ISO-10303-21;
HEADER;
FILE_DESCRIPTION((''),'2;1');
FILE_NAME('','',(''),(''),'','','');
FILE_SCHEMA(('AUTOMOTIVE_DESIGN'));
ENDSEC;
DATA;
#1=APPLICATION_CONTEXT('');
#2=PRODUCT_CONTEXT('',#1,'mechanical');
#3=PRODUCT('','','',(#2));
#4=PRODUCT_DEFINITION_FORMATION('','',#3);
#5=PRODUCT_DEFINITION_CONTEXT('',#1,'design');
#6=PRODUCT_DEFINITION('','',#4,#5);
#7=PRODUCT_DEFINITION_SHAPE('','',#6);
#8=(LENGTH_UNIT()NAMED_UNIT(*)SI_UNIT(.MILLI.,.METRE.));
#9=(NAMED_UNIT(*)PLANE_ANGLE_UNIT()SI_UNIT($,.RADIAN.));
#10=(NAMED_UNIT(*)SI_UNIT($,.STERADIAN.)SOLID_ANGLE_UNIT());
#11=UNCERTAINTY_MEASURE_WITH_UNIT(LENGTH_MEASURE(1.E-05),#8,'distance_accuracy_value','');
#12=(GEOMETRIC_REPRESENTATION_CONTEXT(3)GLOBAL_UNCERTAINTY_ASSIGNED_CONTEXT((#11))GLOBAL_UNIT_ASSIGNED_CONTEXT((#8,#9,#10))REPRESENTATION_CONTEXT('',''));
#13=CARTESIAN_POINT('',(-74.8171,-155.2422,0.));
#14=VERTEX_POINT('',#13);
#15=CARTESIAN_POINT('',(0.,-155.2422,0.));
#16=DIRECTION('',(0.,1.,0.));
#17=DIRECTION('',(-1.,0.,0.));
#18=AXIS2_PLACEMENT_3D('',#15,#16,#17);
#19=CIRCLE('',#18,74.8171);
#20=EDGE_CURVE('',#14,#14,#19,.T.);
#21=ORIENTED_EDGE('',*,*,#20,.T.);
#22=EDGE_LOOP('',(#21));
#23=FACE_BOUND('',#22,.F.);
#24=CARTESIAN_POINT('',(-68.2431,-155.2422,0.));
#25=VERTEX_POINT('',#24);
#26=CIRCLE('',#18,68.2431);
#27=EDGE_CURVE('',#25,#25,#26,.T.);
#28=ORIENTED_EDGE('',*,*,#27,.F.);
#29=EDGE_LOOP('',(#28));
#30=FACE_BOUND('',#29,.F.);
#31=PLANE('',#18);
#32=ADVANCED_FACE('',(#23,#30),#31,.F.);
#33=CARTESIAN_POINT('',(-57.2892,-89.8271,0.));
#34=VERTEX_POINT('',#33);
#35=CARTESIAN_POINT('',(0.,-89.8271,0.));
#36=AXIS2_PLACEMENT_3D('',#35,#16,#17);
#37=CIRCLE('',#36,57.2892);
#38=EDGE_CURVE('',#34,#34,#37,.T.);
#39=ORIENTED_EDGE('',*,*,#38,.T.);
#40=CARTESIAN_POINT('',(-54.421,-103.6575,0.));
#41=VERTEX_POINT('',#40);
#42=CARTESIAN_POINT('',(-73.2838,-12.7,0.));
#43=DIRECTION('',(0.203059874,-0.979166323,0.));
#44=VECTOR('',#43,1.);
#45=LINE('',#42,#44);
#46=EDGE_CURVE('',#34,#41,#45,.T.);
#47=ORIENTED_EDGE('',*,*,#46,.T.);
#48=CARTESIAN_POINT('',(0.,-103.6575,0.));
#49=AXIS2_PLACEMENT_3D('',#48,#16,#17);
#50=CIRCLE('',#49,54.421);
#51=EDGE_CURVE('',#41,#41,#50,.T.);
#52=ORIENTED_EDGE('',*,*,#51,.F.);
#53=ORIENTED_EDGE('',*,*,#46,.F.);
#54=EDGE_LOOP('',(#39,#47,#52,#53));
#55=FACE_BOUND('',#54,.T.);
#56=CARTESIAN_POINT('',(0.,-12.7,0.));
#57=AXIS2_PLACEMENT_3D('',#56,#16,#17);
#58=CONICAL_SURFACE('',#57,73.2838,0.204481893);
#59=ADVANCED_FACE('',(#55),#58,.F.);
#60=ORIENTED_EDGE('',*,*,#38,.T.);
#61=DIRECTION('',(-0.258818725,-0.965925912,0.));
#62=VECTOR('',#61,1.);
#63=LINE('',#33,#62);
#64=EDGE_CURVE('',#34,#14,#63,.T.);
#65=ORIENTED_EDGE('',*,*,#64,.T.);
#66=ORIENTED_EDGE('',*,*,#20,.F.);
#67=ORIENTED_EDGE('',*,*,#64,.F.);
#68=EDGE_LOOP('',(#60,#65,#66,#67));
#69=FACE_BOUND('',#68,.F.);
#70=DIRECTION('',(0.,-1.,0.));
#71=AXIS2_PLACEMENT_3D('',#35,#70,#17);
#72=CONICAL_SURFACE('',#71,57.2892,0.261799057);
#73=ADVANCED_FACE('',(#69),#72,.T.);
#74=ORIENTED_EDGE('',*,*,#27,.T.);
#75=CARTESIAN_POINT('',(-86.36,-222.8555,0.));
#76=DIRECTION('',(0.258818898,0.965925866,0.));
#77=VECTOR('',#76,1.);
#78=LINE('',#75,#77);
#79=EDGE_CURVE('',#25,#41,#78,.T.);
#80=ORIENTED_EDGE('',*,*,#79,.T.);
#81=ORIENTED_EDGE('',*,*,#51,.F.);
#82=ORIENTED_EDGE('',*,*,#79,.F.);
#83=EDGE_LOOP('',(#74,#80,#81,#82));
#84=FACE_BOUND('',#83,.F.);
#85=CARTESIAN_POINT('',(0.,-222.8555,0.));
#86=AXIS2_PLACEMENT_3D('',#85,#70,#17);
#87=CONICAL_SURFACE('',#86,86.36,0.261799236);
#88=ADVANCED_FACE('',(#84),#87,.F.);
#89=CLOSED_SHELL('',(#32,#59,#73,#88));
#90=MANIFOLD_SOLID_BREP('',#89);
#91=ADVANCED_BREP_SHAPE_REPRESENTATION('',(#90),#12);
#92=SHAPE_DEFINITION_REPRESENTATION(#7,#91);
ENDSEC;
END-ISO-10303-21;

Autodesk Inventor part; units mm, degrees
ref_plane "YZ Plane" through (0, 0, 0) normal (1, 0, 0) x (0, 1, 0)
ref_plane "XZ Plane" through (0, 0, 0) normal (0, 1, 0) x (-1, 0, 0)
ref_plane "XY Plane" through (0, 0, 0) normal (0, 0, 1) x (1, 0, 0)
sketch "Sketch1" plane through (0, 0, 0) normal (0, 0, 1) x (1, 0, 0)
  line L0 (0, 25.4) -> (-28.702, 25.4) construction
  line L1 (0, 25.4) -> (-95.25, 25.4) construction
  line L2 (-95.25, 25.4) -> (-89.1588, 25.4) construction
  line L3 (-89.1588, 25.4) -> (-85.693, 23.7839) construction
  line L4 (-89.1588, 25.4) -> (-89.1588, 21.1626) construction
  line L5 (-89.1588, 0) -> (-95.25, 0)
  line L6 (-28.702, 59.6457) -> (-28.702, -91.9304) construction
  arc A0 (-28.9184, -8.4804) -> (-32.3684, -1.0818) centre (-35.052, -6.8369) ccw
  line L7 (-89.1588, 25.4) -> (-89.1588, 0)
  line L8 (-89.1588, 25.4) -> (-32.3684, -1.0818)
  line L9 (-28.9184, -8.4804) -> (-28.9392, -8.5583)
  line L10 (0, -319.0244) -> (0, 122.7573) projected
  line L11 (-73.152, 17.9359) -> (-28.702, 17.9359) construction
  line L12 (-89.1588, 0) -> (-92.3338, 0)
  line L13 (11.4547, -6.8369) -> (-136.2084, -6.8369) construction
  line L14 (-57.2892, -89.8271) -> (-74.8171, -155.2422)
  line L15 (-92.3338, -12.7) -> (-73.2838, -12.7)
  line L16 (-73.2838, -12.7) -> (-54.421, -103.6575)
  line L17 (-74.8171, -155.2422) -> (-68.2431, -155.2422)
  line L18 (-92.3338, -25.4) -> (-79.6338, -25.4)
  line L19 (-79.6338, -25.4) -> (-79.6338, -57.15)
  line L20 (-79.6338, -57.15) -> (-72.991, -88.4936)
  line L21 (-92.3338, 0) -> (-92.3338, -25.4)
  line L22 (-86.3902, -25.4) -> (-86.3902, -31.3436)
  line L23 (-86.3902, -31.3436) -> (-92.3338, -31.3436)
  line L24 (-92.3338, -31.3436) -> (-92.3338, -56.7436)
  line L25 (-92.3338, -56.7436) -> (-79.6338, -56.7436)
  line L26 (-73.152, 17.9359) -> (-32.3684, -1.0818)
  line L27 (-73.152, 17.9359) -> (-50.7653, -90.0141)
  line L28 (-50.7653, -90.0141) -> (-28.9184, -8.4804)
  line L29 (-52.4654, -96.3589) -> (-28.9184, -8.4804)
  line L30 (-86.36, -222.8555) -> (-28.9184, -8.4804)
  line L31 (-72.991, -88.4936) -> (-89.535, -222.8555)
  line L32 (-89.535, -222.8555) -> (-86.36, -222.8555)
  point P0 (0, 0)
  point P1 (-95.25, -255.9127)
  point P2 (-88.7095, 22.4389)
  dimension "d0" = 28.702
  dimension "d3" = 25
  dimension "d5" = 25.4
  dimension "d6" = 25.4
  dimension "d8" = 12.7
  dimension "d34" = 15
  dimension "d37" = 44.45
  dimension "d46" = 19.05
  dimension "d47" = 12.7
  dimension "d55" = 12.7
  dimension "d56" = 31.75
  dimension "d58" = 0.25
  dimension "d60" = 12.7
  dimension "d61" = 25.4
  dimension "d62" = 5.9436
  dimension "d63" = 5.9436
  dimension "d64" = 3.175
  dimension "d68" = 107.95
  dimension "d69" = 6.35
  dimension "d70" = 6.35
  dimension "d71" = 3.175
  dimension "d73" = 86.36
  dimension "d74" = 31.75
  dimension "d75" = 6.3448
revolve "Revolution3" add sketch "Sketch1" angle 360 about axis through (0, -10, 0) along (0, 1, 0) contours L16 L30 L17 L14
properties part number "phenolic_bottom" material "Phenolic Resin"
